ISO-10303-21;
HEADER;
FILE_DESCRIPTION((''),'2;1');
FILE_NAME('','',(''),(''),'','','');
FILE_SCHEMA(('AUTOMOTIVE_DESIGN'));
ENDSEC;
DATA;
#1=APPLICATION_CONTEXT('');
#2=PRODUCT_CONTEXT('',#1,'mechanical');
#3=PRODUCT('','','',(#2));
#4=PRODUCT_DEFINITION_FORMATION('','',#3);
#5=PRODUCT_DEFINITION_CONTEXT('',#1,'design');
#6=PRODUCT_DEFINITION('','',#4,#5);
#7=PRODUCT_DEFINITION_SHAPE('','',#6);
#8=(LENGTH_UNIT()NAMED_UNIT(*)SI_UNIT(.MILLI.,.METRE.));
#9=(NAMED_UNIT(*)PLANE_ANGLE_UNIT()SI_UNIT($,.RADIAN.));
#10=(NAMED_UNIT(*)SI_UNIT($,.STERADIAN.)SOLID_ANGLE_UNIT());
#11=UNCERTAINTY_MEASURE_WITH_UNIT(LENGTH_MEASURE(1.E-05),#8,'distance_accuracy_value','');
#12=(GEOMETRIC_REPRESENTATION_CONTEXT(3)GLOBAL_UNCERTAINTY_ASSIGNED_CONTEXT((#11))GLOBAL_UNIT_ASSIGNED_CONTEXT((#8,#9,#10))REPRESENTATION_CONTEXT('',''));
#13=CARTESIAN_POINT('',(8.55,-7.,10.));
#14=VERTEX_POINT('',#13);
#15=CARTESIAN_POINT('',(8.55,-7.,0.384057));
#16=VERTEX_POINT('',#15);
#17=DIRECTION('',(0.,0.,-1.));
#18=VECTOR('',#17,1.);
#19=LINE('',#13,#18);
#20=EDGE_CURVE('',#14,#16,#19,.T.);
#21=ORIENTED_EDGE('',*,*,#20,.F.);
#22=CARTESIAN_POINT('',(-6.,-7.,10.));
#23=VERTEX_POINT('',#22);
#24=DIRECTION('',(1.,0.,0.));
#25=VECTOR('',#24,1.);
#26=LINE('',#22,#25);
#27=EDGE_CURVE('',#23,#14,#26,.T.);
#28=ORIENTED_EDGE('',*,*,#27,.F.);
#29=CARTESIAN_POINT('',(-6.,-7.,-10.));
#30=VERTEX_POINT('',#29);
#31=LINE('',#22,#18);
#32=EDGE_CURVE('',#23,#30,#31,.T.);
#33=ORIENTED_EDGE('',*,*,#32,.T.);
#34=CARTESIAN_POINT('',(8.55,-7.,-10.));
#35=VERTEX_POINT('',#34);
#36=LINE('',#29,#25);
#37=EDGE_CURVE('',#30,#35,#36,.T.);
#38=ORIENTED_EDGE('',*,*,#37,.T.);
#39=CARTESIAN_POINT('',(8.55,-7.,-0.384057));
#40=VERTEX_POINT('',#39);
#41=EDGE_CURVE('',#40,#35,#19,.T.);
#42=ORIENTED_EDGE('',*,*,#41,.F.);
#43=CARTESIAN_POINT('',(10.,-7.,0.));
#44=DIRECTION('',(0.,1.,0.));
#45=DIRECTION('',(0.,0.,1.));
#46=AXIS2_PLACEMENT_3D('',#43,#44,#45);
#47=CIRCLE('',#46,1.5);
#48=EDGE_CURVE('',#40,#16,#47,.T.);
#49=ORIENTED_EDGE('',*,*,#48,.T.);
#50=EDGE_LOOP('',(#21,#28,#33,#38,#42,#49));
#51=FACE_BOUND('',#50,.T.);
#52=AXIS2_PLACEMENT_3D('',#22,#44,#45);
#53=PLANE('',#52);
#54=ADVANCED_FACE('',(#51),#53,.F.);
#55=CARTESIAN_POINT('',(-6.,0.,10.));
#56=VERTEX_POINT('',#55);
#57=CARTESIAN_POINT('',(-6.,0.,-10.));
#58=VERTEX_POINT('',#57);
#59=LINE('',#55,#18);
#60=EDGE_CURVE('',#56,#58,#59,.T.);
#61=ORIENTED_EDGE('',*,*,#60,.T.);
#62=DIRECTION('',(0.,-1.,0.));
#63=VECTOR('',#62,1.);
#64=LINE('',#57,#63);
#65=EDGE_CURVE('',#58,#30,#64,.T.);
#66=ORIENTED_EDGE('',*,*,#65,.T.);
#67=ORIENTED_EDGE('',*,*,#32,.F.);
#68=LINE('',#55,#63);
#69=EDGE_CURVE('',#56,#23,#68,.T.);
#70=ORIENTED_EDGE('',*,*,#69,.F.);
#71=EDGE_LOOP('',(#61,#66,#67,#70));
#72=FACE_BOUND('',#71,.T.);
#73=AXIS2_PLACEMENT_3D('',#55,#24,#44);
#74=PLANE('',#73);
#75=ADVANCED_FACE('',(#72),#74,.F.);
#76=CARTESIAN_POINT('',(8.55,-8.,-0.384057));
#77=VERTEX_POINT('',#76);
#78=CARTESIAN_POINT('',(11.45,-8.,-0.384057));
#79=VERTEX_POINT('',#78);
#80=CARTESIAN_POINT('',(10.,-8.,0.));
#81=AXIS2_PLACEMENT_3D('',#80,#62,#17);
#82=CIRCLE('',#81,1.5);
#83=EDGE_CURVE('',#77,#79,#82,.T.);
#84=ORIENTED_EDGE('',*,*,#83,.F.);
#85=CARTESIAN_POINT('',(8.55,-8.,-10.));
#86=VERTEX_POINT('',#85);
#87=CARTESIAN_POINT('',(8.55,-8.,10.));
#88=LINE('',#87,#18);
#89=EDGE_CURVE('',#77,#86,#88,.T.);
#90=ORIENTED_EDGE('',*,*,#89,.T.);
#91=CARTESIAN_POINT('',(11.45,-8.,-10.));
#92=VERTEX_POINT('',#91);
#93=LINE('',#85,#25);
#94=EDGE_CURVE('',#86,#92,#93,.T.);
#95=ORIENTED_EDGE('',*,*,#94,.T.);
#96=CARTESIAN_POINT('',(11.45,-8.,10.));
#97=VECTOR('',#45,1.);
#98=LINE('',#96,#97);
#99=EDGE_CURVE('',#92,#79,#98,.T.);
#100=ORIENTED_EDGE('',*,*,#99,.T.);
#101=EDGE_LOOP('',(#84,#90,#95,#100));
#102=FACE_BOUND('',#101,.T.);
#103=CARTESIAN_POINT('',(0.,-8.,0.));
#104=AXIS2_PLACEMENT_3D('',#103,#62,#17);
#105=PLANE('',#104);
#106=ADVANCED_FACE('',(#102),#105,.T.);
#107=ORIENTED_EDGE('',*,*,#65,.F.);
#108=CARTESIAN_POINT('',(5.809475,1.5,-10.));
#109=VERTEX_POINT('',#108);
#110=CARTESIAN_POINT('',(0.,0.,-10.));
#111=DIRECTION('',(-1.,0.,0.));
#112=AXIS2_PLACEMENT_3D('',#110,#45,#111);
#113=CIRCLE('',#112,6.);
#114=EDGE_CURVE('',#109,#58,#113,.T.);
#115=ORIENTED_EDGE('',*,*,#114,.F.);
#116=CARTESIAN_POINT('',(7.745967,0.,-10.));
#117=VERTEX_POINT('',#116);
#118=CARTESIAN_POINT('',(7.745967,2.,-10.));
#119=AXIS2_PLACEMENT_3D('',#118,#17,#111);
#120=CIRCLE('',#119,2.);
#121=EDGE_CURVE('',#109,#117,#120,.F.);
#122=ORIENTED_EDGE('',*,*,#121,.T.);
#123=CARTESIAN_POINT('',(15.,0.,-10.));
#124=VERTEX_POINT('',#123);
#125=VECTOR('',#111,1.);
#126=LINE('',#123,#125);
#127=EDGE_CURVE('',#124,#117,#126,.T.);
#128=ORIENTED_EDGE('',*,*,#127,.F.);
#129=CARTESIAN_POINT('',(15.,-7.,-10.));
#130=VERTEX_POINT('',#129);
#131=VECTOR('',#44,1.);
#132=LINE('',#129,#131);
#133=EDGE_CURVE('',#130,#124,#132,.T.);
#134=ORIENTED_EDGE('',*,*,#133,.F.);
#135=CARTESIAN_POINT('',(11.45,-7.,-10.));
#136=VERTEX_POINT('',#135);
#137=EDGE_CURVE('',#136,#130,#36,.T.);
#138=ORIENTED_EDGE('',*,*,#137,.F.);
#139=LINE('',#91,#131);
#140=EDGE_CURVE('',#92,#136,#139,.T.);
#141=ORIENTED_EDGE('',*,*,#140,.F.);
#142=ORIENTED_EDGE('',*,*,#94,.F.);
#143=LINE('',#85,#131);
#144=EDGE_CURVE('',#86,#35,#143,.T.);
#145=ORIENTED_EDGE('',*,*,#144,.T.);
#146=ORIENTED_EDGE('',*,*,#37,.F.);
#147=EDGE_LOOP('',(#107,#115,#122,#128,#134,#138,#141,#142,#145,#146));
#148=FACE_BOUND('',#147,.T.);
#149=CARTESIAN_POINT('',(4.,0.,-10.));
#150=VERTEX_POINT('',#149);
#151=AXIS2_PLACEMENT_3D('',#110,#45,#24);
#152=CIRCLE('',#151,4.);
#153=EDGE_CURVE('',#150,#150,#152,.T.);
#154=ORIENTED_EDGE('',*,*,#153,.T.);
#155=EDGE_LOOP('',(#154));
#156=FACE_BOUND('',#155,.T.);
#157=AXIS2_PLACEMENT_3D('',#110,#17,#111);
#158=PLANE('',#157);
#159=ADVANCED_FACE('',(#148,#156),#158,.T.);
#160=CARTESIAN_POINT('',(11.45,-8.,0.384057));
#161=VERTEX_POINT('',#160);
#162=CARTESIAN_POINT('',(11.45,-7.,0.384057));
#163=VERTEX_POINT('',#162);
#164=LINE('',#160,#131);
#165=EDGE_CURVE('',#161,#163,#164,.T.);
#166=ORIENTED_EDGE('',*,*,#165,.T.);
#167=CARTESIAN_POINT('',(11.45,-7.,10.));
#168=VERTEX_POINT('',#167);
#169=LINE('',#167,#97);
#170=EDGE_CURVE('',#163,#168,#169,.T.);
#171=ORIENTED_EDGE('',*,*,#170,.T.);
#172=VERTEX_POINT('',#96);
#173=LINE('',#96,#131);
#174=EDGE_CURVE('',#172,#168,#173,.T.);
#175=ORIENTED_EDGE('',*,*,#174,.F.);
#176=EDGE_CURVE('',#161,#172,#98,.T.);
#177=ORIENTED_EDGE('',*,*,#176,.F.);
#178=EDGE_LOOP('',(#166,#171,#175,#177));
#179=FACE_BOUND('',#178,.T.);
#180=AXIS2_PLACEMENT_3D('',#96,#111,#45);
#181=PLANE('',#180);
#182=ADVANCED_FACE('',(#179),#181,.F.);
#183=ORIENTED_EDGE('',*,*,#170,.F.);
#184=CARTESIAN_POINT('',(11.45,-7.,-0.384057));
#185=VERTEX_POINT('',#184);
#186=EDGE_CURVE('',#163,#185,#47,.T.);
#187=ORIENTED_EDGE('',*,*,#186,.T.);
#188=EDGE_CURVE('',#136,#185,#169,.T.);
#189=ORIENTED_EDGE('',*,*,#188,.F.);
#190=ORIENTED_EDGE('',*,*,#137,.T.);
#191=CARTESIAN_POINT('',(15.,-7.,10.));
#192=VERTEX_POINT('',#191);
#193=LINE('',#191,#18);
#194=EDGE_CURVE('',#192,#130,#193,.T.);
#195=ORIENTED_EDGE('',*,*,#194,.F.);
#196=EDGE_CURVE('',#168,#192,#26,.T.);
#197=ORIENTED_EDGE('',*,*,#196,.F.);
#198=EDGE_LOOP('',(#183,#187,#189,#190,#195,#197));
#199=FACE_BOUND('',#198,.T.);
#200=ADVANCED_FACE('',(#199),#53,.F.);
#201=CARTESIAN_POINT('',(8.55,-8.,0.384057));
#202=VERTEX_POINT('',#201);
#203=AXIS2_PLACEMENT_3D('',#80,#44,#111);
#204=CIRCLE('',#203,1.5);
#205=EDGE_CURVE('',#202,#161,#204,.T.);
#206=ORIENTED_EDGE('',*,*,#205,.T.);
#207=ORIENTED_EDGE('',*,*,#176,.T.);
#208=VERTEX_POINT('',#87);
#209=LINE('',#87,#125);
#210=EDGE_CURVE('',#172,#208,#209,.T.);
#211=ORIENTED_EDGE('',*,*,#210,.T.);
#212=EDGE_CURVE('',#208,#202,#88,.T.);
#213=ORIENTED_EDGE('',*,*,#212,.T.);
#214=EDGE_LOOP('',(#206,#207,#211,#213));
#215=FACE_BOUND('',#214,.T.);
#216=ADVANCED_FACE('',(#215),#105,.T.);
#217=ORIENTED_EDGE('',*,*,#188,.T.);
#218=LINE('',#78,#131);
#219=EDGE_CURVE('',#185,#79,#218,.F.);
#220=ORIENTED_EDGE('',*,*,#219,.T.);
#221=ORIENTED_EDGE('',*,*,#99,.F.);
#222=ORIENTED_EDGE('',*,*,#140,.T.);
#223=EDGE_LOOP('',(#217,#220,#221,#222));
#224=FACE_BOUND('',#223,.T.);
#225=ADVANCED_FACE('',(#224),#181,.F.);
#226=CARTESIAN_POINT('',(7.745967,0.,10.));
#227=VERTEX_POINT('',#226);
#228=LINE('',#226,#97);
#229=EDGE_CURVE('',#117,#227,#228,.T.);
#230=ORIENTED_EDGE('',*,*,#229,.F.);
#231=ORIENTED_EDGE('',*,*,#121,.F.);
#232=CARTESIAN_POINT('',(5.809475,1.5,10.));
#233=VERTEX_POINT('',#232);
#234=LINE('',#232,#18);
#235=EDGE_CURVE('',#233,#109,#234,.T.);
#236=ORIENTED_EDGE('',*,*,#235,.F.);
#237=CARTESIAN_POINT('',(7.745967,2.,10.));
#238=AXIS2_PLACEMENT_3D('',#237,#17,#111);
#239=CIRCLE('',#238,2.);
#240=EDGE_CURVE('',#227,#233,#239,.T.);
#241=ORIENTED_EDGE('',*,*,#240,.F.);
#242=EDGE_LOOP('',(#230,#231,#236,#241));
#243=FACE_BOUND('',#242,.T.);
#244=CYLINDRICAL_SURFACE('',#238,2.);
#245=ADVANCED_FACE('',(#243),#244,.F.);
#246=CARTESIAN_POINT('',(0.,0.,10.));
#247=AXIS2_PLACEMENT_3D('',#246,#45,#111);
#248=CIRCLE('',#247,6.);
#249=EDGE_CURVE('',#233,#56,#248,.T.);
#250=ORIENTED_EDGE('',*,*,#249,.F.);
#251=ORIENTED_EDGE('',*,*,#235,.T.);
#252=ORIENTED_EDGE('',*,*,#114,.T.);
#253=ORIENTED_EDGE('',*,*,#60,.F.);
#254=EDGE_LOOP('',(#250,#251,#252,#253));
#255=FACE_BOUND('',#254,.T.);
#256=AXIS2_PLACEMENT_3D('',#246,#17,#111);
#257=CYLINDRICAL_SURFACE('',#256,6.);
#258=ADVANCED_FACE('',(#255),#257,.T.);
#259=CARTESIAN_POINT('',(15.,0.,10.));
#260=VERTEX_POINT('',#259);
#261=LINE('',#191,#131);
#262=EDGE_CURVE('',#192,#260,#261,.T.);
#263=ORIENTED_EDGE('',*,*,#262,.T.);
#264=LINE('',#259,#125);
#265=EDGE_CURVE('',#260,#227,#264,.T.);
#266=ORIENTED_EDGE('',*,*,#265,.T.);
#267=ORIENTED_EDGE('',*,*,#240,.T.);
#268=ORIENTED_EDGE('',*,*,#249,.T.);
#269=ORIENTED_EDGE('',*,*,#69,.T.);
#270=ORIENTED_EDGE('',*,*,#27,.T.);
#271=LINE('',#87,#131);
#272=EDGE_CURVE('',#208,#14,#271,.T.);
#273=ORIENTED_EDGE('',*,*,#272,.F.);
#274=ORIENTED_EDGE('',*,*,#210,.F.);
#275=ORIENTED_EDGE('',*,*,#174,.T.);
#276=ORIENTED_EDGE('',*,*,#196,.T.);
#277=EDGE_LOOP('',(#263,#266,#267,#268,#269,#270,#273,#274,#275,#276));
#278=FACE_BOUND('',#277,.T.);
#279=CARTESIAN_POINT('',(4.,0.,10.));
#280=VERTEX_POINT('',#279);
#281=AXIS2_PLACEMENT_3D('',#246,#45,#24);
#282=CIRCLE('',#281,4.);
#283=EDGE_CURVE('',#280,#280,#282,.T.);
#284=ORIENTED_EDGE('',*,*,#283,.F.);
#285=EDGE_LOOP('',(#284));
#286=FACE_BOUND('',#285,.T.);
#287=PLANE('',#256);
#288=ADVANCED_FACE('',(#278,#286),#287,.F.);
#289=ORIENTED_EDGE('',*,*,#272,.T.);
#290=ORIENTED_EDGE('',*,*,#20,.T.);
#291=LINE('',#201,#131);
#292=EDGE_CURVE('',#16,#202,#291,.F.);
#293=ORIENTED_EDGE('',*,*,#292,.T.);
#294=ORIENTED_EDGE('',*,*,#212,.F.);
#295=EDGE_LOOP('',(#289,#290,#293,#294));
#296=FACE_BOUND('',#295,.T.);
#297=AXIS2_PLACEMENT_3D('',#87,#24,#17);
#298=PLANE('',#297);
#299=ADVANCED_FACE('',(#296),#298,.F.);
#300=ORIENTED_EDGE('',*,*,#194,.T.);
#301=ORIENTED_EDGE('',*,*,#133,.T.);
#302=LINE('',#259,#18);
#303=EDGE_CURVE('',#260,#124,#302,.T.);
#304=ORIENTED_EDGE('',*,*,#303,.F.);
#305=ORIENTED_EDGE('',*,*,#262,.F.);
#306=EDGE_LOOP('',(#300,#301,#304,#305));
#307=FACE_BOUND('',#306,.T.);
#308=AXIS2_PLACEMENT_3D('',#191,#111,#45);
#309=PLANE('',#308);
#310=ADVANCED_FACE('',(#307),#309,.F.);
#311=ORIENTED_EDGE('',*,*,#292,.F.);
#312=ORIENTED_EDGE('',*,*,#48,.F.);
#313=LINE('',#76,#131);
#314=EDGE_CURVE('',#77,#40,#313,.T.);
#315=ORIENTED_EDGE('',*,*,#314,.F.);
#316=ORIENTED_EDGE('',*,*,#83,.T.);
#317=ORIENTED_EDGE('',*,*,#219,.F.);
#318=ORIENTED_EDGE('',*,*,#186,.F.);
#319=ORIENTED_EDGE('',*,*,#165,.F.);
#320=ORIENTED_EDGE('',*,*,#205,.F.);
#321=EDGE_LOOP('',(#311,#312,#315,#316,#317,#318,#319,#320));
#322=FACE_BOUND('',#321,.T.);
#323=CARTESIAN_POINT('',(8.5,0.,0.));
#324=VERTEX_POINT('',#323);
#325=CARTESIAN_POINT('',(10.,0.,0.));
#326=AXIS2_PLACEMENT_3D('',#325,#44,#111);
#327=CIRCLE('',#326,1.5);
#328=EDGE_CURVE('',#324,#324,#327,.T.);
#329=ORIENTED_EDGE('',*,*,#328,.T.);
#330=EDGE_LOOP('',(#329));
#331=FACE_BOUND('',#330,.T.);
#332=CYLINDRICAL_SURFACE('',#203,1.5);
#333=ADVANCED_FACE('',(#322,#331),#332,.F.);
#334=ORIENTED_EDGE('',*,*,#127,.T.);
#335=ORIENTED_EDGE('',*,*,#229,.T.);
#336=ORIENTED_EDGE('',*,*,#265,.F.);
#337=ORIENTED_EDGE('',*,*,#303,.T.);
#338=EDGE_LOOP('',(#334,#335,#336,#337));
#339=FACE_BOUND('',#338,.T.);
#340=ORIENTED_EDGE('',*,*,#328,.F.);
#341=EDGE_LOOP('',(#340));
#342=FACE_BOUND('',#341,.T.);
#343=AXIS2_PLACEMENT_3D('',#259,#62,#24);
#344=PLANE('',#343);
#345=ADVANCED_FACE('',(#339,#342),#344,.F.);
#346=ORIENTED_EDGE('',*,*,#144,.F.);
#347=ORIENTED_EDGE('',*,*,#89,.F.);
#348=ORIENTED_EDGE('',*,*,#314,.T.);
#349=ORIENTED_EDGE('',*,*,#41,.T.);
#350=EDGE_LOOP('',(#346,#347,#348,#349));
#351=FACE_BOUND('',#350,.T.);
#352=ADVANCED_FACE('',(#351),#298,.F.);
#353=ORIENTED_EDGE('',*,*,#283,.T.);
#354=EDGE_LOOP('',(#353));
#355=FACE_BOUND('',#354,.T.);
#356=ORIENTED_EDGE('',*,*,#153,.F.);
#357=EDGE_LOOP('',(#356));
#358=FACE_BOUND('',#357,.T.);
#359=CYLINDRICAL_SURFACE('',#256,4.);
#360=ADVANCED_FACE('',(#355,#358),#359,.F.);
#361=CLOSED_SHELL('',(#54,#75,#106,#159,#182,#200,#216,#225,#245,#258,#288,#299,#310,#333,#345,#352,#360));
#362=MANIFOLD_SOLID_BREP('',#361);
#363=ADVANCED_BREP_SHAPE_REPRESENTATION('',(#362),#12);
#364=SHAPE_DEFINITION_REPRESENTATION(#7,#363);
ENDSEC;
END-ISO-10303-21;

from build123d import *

# Parameters (mm, degrees)
SKETCH1_R                       = 4
MAIN_DEPTH                      = 10
SKETCH3_W                       = 2.9
SKETCH3_H                       = 20
MAKERBEAMRECTANGULARGUIDE_DEPTH = 1
SKETCH4_R                       = 1.5
MAKERBEAMFIXHOLE_DEPTH          = 9
FILLET1_R                       = 2


with BuildPart() as part:
    # Sketch1 → Main (new body, symmetric)
    with BuildSketch(Plane.XY):
        with BuildLine():
            Line((-6, 0), (-6, -7))
            Line((-6, -7), (15, -7))
            Line((15, -7), (15, 0))
            Line((15, 0), (6, 0))
            ThreePointArc((6, 0), (0, 6), (-6, 0))
        make_face()
        Circle(SKETCH1_R, mode=Mode.SUBTRACT)
    extrude(amount=MAIN_DEPTH, both=True)

    # Sketch3 → MakerBeamRectangularGuide (add)
    with BuildSketch(Plane(origin=(0, -7, 0), x_dir=(-1, 0, 0), z_dir=(0, -1, 0))):
        with Locations((-10, 0)):
            Rectangle(SKETCH3_W, SKETCH3_H)
    extrude(amount=MAKERBEAMRECTANGULARGUIDE_DEPTH)

    # Sketch4 → MakerBeamFixHole (cut, through all)
    with BuildSketch(Plane(origin=(0, 0, 0), x_dir=(1, 0, 0), z_dir=(0, 1, 0))):
        with Locations((10, 0)):
            Circle(SKETCH4_R)
    extrude(amount=-MAKERBEAMFIXHOLE_DEPTH, mode=Mode.SUBTRACT)

    # Fillet1
    fillet1_edges = [part.edges().sort_by_distance(p)[0] for p in [
        (6, 0, 0),
    ]]
    fillet(fillet1_edges, radius=FILLET1_R)


solid = part.part
